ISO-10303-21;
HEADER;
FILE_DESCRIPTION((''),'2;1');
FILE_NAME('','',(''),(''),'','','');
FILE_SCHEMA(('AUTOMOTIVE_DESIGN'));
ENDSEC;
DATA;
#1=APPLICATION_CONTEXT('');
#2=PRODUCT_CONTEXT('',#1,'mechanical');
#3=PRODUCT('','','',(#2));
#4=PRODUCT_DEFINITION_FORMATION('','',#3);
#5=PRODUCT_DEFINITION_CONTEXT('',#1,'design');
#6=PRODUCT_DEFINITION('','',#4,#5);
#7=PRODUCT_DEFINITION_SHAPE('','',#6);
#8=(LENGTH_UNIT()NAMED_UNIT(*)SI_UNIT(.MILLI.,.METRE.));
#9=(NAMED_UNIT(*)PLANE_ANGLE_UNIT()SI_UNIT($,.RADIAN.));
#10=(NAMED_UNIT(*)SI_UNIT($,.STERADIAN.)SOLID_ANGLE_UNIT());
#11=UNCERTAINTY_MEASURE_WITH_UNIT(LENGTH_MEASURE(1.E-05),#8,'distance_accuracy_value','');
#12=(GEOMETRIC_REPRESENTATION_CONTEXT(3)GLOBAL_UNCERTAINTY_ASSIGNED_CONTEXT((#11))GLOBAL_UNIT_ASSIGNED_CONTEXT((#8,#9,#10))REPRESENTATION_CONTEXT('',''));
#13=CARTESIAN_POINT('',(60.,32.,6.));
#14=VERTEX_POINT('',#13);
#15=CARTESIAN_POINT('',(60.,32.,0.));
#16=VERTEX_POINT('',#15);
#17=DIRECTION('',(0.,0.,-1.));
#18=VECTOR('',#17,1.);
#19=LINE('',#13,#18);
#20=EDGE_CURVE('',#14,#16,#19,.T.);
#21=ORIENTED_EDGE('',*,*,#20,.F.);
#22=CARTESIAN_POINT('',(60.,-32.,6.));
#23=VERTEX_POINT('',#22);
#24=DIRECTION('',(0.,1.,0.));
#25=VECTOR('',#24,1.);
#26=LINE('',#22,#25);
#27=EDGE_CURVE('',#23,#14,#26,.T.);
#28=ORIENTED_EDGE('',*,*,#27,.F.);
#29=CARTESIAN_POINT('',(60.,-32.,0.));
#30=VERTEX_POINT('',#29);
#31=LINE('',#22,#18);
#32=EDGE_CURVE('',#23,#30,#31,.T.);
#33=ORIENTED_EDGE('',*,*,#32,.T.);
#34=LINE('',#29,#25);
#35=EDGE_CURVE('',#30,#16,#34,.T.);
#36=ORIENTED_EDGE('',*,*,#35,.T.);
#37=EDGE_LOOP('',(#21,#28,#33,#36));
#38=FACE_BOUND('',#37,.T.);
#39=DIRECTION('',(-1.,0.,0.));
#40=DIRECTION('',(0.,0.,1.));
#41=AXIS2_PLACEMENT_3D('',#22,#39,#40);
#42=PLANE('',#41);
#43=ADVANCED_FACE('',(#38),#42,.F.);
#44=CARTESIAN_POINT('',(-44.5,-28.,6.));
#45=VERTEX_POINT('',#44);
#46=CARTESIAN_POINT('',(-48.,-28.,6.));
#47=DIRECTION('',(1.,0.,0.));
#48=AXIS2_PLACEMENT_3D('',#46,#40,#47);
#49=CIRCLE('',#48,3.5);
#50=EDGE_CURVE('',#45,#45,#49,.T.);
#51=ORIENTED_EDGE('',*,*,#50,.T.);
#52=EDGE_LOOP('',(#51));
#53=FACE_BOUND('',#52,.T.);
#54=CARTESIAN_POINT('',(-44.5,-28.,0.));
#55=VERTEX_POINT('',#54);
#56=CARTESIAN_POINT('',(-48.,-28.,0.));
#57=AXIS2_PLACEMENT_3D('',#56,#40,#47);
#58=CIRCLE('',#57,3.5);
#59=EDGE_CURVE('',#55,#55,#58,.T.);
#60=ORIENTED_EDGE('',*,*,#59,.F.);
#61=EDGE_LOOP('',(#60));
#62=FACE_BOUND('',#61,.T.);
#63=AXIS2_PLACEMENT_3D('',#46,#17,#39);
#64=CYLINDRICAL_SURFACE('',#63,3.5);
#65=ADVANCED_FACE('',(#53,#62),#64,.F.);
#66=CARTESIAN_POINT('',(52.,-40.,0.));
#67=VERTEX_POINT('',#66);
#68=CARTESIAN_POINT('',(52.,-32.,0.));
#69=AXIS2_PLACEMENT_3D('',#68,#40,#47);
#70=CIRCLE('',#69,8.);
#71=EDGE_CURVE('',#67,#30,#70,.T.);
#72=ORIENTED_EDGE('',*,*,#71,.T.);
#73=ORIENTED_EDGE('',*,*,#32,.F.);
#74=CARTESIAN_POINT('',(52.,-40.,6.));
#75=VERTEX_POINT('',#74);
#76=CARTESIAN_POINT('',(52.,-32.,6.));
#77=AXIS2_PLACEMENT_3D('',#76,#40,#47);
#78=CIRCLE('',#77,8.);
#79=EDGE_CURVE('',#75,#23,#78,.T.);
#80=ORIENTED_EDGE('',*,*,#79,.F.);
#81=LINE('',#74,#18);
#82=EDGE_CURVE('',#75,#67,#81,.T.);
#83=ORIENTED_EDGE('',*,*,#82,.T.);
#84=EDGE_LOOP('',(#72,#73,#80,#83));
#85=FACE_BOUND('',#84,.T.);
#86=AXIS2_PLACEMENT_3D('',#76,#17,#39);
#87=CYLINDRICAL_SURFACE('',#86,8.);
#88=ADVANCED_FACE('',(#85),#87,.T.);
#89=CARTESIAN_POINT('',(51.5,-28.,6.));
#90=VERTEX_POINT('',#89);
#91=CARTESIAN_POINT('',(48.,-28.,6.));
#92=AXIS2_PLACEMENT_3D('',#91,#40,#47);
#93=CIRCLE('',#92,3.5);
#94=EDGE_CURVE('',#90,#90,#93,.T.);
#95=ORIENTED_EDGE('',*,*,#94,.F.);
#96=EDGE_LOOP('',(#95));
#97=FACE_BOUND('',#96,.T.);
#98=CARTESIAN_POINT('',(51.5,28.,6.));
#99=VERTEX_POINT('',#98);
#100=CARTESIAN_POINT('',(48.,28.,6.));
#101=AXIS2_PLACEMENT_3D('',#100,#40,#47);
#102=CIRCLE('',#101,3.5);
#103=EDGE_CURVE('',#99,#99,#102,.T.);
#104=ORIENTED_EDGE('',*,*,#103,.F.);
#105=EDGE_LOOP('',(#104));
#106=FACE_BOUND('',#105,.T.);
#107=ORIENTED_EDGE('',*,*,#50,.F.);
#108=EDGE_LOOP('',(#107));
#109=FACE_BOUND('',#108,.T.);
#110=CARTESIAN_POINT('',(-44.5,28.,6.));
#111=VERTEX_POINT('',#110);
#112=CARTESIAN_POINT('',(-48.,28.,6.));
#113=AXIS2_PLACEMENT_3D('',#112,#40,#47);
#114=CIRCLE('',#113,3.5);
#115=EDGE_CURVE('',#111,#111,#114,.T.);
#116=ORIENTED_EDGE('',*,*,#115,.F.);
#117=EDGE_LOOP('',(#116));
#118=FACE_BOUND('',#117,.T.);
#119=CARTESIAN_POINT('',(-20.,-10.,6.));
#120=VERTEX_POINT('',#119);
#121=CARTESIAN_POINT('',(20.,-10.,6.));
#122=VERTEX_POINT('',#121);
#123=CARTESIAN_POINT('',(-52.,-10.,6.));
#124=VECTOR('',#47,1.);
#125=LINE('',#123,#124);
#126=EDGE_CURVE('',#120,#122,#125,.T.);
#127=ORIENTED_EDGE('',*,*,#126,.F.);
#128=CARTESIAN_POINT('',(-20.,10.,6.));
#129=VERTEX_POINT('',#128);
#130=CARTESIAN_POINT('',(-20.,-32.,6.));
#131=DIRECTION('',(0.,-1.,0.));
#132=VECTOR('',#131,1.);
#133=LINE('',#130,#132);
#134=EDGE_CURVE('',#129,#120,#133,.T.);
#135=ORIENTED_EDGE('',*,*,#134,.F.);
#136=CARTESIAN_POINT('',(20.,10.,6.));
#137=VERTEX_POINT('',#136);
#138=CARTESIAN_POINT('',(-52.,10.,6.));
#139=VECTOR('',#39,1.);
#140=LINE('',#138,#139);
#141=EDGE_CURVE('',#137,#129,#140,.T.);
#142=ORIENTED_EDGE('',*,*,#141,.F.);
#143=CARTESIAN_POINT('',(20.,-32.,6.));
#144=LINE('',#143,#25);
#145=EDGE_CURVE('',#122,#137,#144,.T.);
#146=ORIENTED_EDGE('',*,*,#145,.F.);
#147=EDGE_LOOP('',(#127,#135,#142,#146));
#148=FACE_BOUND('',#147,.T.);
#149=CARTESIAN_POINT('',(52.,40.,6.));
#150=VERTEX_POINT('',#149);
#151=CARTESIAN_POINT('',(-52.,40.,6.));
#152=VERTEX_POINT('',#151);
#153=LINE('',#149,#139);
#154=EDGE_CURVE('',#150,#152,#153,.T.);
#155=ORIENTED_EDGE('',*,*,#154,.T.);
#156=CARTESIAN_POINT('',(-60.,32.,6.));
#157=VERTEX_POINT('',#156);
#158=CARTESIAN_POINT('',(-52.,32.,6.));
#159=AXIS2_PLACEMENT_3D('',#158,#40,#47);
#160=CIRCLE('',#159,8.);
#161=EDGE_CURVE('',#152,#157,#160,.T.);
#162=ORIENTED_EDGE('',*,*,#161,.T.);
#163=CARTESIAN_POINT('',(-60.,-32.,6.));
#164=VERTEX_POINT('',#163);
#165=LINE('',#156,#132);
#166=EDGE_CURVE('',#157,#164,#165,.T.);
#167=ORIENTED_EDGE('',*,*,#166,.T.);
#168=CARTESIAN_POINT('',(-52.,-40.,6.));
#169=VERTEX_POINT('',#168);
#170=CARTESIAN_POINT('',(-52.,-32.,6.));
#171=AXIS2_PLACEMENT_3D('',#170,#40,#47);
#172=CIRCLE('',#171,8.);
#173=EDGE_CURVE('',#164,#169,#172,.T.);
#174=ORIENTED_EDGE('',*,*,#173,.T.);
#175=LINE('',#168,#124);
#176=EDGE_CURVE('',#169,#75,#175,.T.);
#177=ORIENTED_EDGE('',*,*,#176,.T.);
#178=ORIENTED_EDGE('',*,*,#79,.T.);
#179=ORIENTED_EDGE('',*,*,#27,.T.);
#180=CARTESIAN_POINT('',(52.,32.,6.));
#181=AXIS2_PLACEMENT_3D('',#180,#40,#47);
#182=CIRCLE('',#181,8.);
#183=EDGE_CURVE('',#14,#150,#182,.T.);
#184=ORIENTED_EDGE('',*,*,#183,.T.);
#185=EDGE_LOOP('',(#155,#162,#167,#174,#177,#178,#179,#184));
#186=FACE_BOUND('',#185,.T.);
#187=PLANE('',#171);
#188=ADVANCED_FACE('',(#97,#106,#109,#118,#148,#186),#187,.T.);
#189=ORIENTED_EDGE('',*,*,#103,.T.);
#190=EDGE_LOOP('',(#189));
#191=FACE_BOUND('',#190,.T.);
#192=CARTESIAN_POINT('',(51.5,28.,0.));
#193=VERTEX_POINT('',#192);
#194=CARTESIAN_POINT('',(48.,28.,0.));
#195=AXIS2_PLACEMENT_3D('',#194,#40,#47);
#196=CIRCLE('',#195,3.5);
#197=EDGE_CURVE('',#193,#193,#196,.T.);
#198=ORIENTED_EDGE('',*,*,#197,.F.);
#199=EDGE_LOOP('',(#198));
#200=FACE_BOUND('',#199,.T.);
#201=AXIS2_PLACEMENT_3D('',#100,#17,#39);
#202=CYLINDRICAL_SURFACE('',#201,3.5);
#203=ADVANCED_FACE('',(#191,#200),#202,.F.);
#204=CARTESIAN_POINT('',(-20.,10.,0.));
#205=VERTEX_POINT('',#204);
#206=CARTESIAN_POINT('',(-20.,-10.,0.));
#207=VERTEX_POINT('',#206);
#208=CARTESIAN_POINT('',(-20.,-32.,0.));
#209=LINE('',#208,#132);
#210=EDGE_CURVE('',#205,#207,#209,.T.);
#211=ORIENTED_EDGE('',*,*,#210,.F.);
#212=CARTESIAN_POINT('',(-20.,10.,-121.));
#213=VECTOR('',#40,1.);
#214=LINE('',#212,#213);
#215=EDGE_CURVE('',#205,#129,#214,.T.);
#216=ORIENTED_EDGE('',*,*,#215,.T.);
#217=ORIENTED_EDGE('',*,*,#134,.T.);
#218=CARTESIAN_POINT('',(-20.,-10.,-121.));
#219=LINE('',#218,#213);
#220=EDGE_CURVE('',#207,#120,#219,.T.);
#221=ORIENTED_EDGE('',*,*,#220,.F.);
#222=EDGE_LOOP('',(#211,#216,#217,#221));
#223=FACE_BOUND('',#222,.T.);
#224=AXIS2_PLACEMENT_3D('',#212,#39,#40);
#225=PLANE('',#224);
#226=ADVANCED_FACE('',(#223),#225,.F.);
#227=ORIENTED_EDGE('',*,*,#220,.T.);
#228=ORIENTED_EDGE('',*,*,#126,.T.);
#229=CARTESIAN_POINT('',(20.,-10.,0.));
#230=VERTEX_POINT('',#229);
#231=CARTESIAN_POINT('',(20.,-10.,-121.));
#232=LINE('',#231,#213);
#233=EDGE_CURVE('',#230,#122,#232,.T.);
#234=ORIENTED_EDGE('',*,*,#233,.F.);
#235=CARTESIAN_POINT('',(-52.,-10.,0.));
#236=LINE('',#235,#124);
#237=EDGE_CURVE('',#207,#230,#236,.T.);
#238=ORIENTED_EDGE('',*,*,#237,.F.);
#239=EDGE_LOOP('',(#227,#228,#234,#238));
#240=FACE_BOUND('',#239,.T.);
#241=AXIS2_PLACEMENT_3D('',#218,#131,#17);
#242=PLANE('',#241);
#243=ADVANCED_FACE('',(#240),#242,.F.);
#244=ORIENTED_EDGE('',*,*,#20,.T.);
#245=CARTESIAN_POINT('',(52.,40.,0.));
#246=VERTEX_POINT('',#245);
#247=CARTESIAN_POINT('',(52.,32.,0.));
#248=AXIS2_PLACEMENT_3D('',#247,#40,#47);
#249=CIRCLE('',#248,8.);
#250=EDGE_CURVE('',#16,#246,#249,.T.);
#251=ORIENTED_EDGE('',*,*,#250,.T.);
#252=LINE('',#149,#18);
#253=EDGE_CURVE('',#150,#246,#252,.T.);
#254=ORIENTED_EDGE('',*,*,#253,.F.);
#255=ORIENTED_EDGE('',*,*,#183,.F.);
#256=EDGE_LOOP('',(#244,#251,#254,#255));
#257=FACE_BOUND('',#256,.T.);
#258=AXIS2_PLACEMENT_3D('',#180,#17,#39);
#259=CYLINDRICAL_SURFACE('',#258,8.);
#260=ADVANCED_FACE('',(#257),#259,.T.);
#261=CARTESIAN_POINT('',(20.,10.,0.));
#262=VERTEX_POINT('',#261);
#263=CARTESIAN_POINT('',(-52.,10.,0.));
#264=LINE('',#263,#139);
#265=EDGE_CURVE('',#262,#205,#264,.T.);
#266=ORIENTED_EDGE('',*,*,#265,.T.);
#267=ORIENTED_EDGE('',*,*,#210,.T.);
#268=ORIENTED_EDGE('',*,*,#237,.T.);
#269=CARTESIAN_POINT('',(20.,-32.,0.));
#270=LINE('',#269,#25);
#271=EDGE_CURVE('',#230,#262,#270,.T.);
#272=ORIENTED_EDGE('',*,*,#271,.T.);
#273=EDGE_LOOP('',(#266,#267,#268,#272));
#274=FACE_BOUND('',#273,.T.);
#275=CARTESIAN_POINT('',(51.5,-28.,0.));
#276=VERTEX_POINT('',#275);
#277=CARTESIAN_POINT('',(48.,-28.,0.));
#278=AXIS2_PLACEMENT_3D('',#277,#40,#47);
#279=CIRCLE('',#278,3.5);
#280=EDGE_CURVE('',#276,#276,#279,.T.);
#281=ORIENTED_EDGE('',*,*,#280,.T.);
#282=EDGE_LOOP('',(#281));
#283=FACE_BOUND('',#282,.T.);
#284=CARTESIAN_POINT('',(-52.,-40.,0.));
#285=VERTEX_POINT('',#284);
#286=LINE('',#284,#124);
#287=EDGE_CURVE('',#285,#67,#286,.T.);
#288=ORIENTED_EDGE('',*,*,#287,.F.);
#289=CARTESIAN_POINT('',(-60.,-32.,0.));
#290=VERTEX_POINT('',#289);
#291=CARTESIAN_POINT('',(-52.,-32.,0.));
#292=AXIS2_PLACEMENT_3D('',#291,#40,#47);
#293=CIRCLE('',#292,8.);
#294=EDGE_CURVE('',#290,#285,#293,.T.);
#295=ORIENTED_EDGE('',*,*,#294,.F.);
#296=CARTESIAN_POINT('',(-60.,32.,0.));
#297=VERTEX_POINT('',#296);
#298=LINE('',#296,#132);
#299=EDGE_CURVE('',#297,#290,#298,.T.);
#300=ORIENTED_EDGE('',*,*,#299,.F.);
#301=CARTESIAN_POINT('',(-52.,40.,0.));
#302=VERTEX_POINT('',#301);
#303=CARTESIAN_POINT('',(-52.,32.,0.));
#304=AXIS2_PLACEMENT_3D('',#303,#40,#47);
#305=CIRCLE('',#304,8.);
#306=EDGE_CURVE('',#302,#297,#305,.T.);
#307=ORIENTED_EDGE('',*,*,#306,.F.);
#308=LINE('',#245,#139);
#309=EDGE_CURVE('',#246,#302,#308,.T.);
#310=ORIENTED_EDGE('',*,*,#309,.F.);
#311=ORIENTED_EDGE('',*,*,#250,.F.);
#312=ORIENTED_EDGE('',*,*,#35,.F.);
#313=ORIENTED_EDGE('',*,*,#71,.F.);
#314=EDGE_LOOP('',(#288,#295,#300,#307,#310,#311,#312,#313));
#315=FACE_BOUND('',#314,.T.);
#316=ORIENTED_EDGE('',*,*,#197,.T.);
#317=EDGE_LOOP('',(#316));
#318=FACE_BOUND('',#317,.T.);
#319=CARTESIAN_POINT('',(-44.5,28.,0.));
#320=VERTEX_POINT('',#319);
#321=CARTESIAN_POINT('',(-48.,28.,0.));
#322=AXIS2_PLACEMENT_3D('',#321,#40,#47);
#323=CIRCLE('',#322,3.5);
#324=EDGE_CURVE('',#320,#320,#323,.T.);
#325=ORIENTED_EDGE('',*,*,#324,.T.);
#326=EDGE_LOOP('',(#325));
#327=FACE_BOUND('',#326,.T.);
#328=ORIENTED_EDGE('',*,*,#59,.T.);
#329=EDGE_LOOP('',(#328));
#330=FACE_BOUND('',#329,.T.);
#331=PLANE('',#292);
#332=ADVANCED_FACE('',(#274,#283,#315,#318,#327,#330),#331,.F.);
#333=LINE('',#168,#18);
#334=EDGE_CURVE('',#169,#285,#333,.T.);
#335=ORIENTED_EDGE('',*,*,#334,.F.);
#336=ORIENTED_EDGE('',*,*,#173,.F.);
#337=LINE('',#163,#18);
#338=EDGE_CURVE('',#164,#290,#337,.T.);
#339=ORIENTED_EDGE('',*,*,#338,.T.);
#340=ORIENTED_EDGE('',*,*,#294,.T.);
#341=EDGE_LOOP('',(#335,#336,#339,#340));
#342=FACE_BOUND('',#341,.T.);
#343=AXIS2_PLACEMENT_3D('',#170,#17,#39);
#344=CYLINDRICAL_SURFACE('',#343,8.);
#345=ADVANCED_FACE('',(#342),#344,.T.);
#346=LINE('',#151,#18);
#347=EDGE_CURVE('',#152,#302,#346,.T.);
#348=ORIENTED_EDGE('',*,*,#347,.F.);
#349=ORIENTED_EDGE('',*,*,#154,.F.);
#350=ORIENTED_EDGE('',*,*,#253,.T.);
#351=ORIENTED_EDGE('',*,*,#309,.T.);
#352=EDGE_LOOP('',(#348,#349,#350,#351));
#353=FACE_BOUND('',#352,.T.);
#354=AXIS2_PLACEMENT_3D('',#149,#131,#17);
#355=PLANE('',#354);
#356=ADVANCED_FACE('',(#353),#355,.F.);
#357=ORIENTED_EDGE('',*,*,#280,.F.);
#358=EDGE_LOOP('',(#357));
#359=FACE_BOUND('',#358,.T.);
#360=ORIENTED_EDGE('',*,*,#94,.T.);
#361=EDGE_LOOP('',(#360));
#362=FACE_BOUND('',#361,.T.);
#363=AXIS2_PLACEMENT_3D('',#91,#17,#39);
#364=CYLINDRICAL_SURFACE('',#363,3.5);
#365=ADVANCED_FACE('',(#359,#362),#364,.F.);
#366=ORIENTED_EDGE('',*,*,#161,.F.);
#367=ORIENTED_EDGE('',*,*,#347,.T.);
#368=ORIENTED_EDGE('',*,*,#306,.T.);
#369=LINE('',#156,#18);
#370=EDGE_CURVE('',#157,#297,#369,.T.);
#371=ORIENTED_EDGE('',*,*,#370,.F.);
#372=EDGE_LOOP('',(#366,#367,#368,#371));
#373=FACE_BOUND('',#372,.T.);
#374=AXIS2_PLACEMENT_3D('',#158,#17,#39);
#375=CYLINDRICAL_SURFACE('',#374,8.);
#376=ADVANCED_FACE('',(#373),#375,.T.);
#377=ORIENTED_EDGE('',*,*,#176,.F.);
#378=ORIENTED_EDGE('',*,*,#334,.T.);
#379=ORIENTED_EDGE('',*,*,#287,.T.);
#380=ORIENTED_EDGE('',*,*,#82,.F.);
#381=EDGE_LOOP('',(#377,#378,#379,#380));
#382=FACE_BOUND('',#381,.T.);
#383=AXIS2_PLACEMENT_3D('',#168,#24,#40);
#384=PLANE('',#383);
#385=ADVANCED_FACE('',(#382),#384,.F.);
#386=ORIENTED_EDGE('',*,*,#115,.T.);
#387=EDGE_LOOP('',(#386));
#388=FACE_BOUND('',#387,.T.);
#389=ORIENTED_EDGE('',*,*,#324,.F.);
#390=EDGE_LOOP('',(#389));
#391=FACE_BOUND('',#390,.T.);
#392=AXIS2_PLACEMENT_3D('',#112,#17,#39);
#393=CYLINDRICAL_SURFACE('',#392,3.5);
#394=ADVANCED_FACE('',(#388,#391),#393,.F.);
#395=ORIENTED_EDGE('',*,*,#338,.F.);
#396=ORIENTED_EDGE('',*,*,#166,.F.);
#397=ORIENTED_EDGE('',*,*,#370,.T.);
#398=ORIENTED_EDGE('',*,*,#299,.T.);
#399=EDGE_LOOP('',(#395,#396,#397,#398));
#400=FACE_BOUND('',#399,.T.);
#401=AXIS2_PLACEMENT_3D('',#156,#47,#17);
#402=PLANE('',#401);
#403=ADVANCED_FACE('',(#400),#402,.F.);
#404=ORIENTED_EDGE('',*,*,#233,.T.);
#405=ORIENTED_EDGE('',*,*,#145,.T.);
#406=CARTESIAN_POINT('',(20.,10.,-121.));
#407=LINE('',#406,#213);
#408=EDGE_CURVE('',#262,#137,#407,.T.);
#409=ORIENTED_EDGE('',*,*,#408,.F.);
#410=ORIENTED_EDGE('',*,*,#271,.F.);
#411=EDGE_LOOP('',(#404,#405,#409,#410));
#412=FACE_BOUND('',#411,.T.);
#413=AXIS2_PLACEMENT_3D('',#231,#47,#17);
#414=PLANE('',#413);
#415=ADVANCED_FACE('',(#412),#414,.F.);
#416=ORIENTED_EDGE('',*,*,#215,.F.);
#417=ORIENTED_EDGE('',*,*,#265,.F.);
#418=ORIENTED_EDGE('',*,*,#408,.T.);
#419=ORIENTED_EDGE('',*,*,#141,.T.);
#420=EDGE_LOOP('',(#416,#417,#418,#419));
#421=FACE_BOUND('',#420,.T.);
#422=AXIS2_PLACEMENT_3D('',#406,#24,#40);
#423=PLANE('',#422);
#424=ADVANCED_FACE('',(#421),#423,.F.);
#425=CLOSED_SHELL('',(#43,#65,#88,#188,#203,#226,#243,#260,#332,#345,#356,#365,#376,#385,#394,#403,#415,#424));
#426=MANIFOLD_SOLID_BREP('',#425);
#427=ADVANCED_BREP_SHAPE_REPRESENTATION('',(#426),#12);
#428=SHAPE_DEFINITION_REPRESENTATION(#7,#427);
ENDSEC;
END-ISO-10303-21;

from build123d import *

# Parameters (mm, degrees)
EXTRUDE_1_DEPTH     = 6
SKETCH_2_R          = 3.5
CUT_EXTRUDE_1_DEPTH = 73.360210061
SKETCH_3_W          = 40
SKETCH_3_H          = 20
CUT_EXTRUDE_2_DEPTH = 121


with BuildPart() as part:
    # 草图1 → 凸台-拉伸1 (new body)
    with BuildSketch(Plane.XY):
        with BuildLine():
            Line((-52, -40), (52, -40))
            ThreePointArc((52, -40), (57.656854249, -37.656854249), (60, -32))
            Line((60, -32), (60, 32))
            ThreePointArc((60, 32), (57.656854249, 37.656854249), (52, 40))
            Line((52, 40), (-52, 40))
            ThreePointArc((-52, 40), (-57.656854249, 37.656854249), (-60, 32))
            Line((-60, 32), (-60, -32))
            ThreePointArc((-60, -32), (-57.656854249, -37.656854249), (-52, -40))
        make_face()
    extrude(amount=EXTRUDE_1_DEPTH)

    # 草图2 → 切除-拉伸1 (cut, through all)
    with BuildSketch(Plane.XY):
        with Locations((-48, -28)):
            Circle(SKETCH_2_R)
        with Locations((-48, 28)):
            Circle(SKETCH_2_R)
        with Locations((48, -28)):
            Circle(SKETCH_2_R)
        with Locations((48, 28)):
            Circle(SKETCH_2_R)
    extrude(amount=CUT_EXTRUDE_1_DEPTH, mode=Mode.SUBTRACT)

    # 草图3 → 切除-拉伸2 (cut, symmetric)
    with BuildSketch(Plane.XY):
        Rectangle(SKETCH_3_W, SKETCH_3_H)
    extrude(amount=CUT_EXTRUDE_2_DEPTH, both=True, mode=Mode.SUBTRACT)


solid = part.part
